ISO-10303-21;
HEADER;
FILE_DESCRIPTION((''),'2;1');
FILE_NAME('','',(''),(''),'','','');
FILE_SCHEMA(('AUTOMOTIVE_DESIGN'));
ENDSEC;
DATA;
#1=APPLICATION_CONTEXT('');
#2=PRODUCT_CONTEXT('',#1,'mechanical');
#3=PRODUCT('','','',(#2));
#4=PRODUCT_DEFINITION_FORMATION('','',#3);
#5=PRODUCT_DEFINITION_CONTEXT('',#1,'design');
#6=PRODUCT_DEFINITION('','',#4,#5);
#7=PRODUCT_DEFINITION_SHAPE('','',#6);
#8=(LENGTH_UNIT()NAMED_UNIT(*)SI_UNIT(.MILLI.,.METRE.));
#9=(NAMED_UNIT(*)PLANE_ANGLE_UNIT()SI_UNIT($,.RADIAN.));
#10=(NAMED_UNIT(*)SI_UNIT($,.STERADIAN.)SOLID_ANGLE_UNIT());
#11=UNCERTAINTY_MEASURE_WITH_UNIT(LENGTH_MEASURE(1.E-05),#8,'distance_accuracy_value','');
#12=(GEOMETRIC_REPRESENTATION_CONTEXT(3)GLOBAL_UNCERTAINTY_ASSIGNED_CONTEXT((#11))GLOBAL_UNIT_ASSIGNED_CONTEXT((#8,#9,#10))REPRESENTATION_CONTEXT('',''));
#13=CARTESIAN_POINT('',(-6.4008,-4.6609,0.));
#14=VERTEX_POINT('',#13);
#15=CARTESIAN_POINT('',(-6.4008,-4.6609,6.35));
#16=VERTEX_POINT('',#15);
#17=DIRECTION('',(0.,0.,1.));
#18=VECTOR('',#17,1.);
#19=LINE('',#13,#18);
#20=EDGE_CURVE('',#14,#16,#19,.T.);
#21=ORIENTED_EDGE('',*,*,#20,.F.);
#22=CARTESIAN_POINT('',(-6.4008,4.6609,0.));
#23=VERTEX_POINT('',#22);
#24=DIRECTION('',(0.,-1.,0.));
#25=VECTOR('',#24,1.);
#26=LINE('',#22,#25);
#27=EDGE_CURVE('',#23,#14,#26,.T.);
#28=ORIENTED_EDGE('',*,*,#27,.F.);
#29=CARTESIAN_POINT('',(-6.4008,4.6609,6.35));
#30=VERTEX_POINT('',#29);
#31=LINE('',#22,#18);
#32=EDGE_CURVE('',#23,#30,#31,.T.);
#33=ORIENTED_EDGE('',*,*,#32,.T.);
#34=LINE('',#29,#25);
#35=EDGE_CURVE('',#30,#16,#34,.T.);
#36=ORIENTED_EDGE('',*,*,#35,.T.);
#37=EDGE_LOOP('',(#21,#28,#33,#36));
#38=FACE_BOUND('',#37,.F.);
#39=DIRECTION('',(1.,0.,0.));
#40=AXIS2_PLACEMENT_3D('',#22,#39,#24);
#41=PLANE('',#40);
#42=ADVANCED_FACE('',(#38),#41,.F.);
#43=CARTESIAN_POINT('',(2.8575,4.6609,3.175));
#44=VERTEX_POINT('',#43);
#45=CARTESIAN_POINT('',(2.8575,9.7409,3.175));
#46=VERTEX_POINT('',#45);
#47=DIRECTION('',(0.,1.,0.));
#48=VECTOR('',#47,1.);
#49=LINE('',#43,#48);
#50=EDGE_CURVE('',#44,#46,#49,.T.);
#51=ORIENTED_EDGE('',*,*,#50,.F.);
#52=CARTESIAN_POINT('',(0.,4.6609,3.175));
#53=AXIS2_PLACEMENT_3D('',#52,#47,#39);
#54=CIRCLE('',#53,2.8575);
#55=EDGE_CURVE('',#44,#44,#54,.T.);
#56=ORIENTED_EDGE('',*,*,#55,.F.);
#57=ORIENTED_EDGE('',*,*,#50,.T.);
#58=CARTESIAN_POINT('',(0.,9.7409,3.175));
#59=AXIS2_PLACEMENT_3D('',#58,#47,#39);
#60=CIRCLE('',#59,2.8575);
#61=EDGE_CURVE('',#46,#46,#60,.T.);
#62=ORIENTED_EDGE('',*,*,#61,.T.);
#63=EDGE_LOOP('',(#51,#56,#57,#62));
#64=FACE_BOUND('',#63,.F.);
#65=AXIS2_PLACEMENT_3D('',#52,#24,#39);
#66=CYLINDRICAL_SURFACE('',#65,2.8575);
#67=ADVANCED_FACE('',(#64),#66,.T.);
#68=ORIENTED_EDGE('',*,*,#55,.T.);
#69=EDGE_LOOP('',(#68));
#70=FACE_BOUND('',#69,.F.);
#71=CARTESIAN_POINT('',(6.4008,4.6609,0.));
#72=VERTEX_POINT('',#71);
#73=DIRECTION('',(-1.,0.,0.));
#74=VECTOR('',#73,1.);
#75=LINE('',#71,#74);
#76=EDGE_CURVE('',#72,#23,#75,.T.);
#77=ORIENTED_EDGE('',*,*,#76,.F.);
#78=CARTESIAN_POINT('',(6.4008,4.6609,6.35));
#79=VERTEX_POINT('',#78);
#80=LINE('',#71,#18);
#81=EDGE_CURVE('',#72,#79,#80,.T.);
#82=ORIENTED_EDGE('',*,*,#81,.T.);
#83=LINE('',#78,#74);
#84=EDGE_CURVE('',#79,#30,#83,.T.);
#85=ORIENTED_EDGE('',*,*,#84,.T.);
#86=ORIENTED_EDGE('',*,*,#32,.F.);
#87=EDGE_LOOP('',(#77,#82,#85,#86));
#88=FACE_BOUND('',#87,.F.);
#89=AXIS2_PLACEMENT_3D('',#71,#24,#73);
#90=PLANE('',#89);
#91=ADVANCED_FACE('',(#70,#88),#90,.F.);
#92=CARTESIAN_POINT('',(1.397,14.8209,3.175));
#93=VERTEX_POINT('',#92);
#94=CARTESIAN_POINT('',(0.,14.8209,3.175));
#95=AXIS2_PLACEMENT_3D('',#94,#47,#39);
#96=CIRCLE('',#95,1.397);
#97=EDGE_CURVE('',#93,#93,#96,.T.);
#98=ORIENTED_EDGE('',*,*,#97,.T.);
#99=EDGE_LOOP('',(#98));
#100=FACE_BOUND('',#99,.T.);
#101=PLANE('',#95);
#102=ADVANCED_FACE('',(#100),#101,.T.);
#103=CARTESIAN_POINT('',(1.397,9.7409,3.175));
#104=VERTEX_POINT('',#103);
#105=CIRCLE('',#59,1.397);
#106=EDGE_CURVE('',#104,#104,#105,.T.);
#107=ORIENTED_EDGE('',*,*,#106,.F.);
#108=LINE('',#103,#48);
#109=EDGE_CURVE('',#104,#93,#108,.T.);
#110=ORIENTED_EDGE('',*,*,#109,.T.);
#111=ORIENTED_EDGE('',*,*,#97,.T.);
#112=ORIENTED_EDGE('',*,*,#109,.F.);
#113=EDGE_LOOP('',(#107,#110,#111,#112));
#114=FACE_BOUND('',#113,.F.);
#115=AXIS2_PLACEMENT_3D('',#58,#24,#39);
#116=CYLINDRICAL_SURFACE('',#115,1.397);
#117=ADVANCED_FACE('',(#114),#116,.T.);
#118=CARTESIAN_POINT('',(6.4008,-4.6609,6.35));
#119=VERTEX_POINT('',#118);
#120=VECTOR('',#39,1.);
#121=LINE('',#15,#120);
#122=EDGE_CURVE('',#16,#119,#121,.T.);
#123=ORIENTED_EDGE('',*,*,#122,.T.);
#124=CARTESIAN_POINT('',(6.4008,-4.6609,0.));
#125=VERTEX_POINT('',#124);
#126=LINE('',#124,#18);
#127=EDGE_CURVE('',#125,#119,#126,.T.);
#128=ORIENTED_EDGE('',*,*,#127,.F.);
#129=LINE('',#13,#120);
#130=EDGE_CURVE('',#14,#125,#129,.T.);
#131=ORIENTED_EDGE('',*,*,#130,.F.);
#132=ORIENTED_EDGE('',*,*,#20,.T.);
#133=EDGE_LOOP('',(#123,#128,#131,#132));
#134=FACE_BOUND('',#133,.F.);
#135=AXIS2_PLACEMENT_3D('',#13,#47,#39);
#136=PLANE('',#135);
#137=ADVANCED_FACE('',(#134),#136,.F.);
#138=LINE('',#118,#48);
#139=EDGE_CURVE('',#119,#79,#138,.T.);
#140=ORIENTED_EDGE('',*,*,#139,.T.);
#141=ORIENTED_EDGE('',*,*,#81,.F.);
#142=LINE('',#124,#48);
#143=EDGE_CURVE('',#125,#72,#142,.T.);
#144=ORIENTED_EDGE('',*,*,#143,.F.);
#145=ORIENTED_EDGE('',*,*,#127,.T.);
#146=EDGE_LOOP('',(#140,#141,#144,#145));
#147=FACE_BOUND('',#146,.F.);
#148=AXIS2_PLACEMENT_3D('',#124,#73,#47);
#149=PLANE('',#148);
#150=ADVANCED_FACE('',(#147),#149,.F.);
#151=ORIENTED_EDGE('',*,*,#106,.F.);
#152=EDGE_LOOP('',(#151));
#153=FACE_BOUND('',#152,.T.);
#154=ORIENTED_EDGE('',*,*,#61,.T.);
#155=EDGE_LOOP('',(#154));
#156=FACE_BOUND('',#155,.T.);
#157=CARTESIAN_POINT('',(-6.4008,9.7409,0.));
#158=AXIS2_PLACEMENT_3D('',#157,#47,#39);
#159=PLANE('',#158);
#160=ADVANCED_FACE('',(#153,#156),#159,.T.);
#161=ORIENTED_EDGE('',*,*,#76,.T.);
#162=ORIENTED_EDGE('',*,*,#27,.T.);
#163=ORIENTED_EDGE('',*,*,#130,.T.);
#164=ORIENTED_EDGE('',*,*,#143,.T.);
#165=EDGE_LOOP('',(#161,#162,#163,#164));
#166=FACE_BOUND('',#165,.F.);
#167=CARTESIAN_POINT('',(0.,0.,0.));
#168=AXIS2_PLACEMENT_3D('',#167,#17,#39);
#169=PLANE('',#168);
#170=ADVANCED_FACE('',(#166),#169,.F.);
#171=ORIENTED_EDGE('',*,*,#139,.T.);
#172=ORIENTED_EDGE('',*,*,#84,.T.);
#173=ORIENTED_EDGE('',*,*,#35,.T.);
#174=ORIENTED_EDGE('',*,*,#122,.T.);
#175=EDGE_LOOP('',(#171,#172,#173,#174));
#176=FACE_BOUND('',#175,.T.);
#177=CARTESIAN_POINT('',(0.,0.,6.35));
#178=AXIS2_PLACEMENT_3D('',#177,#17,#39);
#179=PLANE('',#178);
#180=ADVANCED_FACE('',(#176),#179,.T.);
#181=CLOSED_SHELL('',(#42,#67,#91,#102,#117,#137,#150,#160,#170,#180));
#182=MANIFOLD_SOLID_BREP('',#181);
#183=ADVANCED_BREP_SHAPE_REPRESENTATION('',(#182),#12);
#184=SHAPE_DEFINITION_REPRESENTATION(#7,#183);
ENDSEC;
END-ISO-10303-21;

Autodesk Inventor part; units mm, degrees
ref_plane "YZ Plane" through (0, 0, 0) normal (1, 0, 0) x (0, 1, 0)
ref_plane "XZ Plane" through (0, 0, 0) normal (0, 1, 0) x (-1, 0, 0)
ref_plane "XY Plane" through (0, 0, 0) normal (0, 0, 1) x (1, 0, 0)
sketch "Sketch1" plane through (0, 0, 0) normal (0, 0, 1) x (1, 0, 0)
  line L0 (-6.4008, -4.6609) -> (6.4008, -4.6609)
  line L1 (6.4008, -4.6609) -> (6.4008, 4.6609)
  line L2 (6.4008, 4.6609) -> (-6.4008, 4.6609)
  line L3 (-6.4008, 4.6609) -> (-6.4008, -4.6609)
  line L4 (-6.4008, -4.6609) -> (6.4008, 4.6609) construction
  line L5 (6.4008, -4.6609) -> (-6.4008, 4.6609) construction
  point P0 (0, 0)
  dimension "d0" = 12.8016
  dimension "d1" = 9.3218
extrude "Extrusion1" add sketch "Sketch1" along normal blind 6.35
sketch "Sketch2" plane through (-6.4008, 4.6609, 0) normal (0, 1, 0) x (1, 0, 0)
  line L0 (0, 0) -> (0, -6.35) projected
  line L1 (12.8016, 0) -> (12.8016, -6.35) projected
  line L2 (0, -6.35) -> (12.8016, -6.35) projected
  circle A0 centre (6.4008, -3.175) radius 2.8575
  point P0 (6.4008, 0)
  dimension "d4" = 5.715
extrude "Extrusion2" add sketch "Sketch2" along normal blind 5.08
sketch "Sketch3" plane through (0, 9.7409, 3.175) normal (0, 1, 0) x (1, 0, 0)
  circle A0 centre (0, 0) radius 1.397
  point P0 (0, 3.175)
  dimension "d7" = 2.794
extrude "Extrusion3" add sketch "Sketch3" along normal blind 5.08
properties part number "switch jp"
